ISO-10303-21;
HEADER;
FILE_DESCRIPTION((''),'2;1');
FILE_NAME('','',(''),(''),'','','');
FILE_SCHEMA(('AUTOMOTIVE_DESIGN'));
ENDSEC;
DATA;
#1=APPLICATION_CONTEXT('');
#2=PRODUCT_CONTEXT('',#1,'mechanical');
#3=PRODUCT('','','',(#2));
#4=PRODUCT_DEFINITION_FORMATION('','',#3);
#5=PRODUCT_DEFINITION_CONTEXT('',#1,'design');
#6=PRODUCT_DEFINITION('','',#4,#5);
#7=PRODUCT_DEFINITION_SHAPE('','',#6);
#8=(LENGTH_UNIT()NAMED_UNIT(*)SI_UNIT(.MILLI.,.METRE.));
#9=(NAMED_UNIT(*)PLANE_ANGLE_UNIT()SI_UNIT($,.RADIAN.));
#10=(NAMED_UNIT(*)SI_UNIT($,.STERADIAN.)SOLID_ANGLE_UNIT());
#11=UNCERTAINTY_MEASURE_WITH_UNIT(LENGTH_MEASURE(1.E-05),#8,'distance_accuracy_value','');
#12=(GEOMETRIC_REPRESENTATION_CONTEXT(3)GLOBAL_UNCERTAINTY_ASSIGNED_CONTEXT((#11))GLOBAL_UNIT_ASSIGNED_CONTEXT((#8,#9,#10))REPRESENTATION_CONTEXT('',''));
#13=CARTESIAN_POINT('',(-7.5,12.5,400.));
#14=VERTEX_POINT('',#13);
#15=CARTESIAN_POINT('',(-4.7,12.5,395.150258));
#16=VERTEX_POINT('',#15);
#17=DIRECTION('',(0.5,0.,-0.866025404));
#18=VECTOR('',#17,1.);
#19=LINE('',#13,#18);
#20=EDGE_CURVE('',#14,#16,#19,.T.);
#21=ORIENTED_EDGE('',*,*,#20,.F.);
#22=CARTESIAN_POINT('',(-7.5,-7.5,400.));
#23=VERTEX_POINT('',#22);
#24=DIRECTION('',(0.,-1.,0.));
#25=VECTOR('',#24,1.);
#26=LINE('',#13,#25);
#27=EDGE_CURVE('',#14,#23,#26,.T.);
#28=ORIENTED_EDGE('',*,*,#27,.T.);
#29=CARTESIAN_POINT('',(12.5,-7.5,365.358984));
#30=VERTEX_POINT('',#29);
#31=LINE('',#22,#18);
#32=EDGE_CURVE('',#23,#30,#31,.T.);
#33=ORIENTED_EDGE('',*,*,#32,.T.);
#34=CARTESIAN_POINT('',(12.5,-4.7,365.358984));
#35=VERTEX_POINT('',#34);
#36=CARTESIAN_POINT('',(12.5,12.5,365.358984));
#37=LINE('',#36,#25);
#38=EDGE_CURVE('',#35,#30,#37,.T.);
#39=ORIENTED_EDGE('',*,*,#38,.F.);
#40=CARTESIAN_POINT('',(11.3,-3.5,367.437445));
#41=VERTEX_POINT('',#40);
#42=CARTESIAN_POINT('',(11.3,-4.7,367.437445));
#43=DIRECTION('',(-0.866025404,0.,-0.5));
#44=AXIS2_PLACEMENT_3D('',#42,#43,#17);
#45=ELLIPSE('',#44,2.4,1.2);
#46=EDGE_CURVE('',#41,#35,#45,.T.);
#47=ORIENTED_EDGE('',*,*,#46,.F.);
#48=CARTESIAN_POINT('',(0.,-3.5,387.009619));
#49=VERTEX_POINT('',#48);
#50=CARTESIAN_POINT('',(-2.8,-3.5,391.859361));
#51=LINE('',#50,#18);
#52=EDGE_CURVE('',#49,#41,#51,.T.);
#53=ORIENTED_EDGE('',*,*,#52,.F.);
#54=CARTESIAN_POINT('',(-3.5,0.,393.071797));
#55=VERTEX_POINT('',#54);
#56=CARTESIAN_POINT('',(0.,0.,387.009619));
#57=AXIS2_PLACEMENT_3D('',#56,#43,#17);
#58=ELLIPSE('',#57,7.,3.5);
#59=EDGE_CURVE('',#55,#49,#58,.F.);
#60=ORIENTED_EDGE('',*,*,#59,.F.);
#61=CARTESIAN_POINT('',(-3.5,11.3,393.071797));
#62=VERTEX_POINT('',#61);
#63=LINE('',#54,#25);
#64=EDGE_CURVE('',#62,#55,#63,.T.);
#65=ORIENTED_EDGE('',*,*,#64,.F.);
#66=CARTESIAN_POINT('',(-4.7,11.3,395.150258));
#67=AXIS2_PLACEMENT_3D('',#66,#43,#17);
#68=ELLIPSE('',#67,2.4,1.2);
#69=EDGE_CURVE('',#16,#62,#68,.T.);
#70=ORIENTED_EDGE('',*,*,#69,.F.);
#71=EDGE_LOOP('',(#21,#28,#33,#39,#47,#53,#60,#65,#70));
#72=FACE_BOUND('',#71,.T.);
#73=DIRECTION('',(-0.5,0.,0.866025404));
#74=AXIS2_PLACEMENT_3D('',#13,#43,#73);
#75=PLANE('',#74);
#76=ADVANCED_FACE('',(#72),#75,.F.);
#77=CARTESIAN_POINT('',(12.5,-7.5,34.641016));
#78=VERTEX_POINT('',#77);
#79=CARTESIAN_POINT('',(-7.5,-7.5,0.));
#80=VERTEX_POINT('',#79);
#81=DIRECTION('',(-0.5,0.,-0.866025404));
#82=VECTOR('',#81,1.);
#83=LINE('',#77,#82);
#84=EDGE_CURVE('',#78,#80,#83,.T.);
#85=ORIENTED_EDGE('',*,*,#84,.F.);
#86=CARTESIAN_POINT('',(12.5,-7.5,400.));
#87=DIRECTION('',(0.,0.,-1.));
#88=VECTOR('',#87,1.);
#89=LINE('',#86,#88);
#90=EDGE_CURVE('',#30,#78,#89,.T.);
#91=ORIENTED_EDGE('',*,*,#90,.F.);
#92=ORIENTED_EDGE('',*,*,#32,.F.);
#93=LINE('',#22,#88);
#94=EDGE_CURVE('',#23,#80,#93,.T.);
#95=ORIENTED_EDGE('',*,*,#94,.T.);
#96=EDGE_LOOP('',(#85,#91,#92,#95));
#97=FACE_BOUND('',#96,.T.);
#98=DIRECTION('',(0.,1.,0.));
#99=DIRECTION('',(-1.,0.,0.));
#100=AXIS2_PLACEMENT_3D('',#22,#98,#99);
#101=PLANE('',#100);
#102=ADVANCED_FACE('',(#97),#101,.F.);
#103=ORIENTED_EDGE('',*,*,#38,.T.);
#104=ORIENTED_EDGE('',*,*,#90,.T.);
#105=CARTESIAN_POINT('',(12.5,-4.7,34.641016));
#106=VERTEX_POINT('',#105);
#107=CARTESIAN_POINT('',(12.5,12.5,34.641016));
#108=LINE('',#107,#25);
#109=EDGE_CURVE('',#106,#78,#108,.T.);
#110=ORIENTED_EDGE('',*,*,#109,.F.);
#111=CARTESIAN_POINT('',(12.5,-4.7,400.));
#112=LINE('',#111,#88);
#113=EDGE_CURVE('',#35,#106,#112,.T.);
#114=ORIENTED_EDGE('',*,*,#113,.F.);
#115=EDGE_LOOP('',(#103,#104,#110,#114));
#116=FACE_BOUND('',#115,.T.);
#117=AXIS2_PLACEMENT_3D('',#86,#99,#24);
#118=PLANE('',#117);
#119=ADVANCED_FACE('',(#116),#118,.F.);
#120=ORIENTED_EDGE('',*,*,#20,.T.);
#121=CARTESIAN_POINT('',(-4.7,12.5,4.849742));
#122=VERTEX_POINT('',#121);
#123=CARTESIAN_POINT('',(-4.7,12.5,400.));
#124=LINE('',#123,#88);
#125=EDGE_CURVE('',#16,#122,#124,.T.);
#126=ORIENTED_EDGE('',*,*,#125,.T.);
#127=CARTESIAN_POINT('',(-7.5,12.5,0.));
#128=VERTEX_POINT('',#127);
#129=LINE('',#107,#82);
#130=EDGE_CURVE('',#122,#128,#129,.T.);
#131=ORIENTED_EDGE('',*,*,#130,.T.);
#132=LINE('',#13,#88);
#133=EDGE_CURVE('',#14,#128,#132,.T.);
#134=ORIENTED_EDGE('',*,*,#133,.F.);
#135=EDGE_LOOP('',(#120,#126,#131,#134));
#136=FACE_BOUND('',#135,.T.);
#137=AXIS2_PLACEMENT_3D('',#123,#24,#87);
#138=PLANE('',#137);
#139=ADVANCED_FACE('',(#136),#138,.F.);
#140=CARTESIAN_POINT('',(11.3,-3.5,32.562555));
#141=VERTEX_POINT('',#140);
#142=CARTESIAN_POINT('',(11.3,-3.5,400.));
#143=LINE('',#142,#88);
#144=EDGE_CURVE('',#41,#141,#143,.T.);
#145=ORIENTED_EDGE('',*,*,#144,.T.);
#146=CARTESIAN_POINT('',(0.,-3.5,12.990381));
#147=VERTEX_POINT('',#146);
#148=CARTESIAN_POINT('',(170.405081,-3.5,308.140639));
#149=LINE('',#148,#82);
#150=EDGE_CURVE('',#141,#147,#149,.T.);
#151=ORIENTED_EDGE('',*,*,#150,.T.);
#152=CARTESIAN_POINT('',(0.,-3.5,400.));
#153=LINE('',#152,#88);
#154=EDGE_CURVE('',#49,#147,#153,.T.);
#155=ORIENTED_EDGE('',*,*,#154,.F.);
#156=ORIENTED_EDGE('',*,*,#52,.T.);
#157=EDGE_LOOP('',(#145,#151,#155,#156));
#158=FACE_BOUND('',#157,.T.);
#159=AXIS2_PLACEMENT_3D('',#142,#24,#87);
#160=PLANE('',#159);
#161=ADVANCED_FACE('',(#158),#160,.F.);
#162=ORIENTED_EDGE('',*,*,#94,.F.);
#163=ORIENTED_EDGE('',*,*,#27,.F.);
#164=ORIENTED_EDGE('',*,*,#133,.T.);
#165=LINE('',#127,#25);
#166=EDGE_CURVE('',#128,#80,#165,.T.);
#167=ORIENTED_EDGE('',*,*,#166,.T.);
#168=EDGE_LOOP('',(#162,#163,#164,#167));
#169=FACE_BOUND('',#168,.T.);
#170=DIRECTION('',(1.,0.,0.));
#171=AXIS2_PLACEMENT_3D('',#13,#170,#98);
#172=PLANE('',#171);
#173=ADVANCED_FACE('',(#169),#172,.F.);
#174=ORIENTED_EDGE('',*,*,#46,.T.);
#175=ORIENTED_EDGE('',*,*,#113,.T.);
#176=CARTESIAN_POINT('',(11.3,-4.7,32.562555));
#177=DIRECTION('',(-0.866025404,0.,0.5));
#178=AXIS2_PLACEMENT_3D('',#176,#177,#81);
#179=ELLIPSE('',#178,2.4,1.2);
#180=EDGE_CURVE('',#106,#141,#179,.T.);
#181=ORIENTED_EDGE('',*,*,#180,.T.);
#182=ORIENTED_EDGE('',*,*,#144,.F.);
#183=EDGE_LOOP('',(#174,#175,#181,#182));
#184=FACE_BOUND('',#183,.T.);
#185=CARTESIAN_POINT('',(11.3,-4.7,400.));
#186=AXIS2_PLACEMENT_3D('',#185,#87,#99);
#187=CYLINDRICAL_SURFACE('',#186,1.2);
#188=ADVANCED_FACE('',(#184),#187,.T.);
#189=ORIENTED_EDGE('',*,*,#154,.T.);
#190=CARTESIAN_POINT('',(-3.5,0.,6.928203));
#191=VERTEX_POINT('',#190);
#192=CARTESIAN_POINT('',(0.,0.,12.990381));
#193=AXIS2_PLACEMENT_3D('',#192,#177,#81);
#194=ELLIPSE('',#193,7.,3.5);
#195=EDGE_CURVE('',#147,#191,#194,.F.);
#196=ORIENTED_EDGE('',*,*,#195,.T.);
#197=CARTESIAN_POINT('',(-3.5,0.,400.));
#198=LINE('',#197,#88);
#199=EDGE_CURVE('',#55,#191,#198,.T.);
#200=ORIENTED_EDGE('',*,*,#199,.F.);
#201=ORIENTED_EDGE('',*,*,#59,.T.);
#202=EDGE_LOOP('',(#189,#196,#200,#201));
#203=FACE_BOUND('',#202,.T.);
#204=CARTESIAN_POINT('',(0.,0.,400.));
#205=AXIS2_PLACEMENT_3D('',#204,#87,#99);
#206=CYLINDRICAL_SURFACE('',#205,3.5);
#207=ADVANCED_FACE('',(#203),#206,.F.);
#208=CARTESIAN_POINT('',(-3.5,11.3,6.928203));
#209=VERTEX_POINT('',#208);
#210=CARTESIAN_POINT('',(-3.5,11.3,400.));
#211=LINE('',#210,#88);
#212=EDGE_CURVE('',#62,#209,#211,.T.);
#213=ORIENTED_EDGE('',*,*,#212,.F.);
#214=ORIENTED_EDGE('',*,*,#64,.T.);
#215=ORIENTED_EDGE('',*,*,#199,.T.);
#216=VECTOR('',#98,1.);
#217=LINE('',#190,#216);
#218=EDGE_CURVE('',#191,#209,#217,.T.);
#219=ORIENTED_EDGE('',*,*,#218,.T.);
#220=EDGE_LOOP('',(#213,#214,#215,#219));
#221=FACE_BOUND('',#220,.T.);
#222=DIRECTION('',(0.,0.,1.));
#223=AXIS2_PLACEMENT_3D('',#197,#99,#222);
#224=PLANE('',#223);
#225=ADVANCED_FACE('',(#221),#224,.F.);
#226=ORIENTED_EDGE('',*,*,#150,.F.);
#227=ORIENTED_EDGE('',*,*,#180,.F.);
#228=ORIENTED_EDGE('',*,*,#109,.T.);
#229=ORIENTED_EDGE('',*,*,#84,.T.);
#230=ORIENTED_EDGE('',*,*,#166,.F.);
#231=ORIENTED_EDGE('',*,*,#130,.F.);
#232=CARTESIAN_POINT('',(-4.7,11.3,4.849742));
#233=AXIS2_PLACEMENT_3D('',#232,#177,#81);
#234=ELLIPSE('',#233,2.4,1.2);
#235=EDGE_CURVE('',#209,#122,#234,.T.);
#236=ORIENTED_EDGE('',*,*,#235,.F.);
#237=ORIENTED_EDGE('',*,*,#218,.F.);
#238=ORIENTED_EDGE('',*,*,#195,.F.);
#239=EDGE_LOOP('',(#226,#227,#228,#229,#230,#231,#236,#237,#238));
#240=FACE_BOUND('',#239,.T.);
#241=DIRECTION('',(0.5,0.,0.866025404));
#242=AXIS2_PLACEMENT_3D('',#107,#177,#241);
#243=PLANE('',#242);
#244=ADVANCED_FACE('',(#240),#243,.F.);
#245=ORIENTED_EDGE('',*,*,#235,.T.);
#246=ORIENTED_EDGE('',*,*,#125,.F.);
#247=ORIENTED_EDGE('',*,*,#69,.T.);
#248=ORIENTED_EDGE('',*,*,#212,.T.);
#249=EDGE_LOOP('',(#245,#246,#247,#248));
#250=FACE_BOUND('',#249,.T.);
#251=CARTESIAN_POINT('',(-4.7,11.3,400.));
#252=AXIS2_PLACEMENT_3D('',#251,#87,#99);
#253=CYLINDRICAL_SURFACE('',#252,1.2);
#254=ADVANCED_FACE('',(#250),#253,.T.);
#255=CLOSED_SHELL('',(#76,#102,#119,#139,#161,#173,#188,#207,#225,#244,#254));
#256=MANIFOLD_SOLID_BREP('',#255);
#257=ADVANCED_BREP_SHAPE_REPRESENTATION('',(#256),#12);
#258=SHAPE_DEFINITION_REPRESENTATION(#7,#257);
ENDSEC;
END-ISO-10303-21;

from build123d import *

# Parameters (mm, degrees)
EXTRUDE_1_DEPTH     = 400
CUT_EXTRUDE_1_DEPTH = 21
CUT_EXTRUDE_2_DEPTH = 21


with BuildPart() as part:
    # Эскиз1 → Бобышка-Вытянуть1 (new body)
    with BuildSketch(Plane.XY):
        with BuildLine():
            Line((-7.5, 12.5), (-7.5, -7.5))
            Line((-7.5, -7.5), (12.5, -7.5))
            Line((12.5, -7.5), (12.5, -4.7))
            ThreePointArc((12.5, -4.7), (12.148528137, -3.851471863), (11.3, -3.5))
            Line((11.3, -3.5), (0, -3.5))
            ThreePointArc((0, -3.5), (-2.474873734, -2.474873734), (-3.5, 0))
            Line((-3.5, 0), (-3.5, 11.3))
            ThreePointArc((-3.5, 11.3), (-3.851471863, 12.148528137), (-4.7, 12.5))
            Line((-4.7, 12.5), (-7.5, 12.5))
        make_face()
    extrude(amount=EXTRUDE_1_DEPTH)

    # Эскиз4 → Вырез-Вытянуть1 (cut, through all)
    with BuildSketch(Plane.XZ.offset(7.5)):
        Polygon((-7.5, 0), (12.5, 0), (12.5, 34.641016151), align=None)
    extrude(amount=-CUT_EXTRUDE_1_DEPTH, mode=Mode.SUBTRACT)

    # Эскиз5 → Вырез-Вытянуть2 (cut, through all)
    with BuildSketch(Plane.XZ.offset(7.5)):
        Polygon((12.5, 400), (-7.5, 400), (12.5, 365.358983849), align=None)
    extrude(amount=-CUT_EXTRUDE_2_DEPTH, mode=Mode.SUBTRACT)


solid = part.part
